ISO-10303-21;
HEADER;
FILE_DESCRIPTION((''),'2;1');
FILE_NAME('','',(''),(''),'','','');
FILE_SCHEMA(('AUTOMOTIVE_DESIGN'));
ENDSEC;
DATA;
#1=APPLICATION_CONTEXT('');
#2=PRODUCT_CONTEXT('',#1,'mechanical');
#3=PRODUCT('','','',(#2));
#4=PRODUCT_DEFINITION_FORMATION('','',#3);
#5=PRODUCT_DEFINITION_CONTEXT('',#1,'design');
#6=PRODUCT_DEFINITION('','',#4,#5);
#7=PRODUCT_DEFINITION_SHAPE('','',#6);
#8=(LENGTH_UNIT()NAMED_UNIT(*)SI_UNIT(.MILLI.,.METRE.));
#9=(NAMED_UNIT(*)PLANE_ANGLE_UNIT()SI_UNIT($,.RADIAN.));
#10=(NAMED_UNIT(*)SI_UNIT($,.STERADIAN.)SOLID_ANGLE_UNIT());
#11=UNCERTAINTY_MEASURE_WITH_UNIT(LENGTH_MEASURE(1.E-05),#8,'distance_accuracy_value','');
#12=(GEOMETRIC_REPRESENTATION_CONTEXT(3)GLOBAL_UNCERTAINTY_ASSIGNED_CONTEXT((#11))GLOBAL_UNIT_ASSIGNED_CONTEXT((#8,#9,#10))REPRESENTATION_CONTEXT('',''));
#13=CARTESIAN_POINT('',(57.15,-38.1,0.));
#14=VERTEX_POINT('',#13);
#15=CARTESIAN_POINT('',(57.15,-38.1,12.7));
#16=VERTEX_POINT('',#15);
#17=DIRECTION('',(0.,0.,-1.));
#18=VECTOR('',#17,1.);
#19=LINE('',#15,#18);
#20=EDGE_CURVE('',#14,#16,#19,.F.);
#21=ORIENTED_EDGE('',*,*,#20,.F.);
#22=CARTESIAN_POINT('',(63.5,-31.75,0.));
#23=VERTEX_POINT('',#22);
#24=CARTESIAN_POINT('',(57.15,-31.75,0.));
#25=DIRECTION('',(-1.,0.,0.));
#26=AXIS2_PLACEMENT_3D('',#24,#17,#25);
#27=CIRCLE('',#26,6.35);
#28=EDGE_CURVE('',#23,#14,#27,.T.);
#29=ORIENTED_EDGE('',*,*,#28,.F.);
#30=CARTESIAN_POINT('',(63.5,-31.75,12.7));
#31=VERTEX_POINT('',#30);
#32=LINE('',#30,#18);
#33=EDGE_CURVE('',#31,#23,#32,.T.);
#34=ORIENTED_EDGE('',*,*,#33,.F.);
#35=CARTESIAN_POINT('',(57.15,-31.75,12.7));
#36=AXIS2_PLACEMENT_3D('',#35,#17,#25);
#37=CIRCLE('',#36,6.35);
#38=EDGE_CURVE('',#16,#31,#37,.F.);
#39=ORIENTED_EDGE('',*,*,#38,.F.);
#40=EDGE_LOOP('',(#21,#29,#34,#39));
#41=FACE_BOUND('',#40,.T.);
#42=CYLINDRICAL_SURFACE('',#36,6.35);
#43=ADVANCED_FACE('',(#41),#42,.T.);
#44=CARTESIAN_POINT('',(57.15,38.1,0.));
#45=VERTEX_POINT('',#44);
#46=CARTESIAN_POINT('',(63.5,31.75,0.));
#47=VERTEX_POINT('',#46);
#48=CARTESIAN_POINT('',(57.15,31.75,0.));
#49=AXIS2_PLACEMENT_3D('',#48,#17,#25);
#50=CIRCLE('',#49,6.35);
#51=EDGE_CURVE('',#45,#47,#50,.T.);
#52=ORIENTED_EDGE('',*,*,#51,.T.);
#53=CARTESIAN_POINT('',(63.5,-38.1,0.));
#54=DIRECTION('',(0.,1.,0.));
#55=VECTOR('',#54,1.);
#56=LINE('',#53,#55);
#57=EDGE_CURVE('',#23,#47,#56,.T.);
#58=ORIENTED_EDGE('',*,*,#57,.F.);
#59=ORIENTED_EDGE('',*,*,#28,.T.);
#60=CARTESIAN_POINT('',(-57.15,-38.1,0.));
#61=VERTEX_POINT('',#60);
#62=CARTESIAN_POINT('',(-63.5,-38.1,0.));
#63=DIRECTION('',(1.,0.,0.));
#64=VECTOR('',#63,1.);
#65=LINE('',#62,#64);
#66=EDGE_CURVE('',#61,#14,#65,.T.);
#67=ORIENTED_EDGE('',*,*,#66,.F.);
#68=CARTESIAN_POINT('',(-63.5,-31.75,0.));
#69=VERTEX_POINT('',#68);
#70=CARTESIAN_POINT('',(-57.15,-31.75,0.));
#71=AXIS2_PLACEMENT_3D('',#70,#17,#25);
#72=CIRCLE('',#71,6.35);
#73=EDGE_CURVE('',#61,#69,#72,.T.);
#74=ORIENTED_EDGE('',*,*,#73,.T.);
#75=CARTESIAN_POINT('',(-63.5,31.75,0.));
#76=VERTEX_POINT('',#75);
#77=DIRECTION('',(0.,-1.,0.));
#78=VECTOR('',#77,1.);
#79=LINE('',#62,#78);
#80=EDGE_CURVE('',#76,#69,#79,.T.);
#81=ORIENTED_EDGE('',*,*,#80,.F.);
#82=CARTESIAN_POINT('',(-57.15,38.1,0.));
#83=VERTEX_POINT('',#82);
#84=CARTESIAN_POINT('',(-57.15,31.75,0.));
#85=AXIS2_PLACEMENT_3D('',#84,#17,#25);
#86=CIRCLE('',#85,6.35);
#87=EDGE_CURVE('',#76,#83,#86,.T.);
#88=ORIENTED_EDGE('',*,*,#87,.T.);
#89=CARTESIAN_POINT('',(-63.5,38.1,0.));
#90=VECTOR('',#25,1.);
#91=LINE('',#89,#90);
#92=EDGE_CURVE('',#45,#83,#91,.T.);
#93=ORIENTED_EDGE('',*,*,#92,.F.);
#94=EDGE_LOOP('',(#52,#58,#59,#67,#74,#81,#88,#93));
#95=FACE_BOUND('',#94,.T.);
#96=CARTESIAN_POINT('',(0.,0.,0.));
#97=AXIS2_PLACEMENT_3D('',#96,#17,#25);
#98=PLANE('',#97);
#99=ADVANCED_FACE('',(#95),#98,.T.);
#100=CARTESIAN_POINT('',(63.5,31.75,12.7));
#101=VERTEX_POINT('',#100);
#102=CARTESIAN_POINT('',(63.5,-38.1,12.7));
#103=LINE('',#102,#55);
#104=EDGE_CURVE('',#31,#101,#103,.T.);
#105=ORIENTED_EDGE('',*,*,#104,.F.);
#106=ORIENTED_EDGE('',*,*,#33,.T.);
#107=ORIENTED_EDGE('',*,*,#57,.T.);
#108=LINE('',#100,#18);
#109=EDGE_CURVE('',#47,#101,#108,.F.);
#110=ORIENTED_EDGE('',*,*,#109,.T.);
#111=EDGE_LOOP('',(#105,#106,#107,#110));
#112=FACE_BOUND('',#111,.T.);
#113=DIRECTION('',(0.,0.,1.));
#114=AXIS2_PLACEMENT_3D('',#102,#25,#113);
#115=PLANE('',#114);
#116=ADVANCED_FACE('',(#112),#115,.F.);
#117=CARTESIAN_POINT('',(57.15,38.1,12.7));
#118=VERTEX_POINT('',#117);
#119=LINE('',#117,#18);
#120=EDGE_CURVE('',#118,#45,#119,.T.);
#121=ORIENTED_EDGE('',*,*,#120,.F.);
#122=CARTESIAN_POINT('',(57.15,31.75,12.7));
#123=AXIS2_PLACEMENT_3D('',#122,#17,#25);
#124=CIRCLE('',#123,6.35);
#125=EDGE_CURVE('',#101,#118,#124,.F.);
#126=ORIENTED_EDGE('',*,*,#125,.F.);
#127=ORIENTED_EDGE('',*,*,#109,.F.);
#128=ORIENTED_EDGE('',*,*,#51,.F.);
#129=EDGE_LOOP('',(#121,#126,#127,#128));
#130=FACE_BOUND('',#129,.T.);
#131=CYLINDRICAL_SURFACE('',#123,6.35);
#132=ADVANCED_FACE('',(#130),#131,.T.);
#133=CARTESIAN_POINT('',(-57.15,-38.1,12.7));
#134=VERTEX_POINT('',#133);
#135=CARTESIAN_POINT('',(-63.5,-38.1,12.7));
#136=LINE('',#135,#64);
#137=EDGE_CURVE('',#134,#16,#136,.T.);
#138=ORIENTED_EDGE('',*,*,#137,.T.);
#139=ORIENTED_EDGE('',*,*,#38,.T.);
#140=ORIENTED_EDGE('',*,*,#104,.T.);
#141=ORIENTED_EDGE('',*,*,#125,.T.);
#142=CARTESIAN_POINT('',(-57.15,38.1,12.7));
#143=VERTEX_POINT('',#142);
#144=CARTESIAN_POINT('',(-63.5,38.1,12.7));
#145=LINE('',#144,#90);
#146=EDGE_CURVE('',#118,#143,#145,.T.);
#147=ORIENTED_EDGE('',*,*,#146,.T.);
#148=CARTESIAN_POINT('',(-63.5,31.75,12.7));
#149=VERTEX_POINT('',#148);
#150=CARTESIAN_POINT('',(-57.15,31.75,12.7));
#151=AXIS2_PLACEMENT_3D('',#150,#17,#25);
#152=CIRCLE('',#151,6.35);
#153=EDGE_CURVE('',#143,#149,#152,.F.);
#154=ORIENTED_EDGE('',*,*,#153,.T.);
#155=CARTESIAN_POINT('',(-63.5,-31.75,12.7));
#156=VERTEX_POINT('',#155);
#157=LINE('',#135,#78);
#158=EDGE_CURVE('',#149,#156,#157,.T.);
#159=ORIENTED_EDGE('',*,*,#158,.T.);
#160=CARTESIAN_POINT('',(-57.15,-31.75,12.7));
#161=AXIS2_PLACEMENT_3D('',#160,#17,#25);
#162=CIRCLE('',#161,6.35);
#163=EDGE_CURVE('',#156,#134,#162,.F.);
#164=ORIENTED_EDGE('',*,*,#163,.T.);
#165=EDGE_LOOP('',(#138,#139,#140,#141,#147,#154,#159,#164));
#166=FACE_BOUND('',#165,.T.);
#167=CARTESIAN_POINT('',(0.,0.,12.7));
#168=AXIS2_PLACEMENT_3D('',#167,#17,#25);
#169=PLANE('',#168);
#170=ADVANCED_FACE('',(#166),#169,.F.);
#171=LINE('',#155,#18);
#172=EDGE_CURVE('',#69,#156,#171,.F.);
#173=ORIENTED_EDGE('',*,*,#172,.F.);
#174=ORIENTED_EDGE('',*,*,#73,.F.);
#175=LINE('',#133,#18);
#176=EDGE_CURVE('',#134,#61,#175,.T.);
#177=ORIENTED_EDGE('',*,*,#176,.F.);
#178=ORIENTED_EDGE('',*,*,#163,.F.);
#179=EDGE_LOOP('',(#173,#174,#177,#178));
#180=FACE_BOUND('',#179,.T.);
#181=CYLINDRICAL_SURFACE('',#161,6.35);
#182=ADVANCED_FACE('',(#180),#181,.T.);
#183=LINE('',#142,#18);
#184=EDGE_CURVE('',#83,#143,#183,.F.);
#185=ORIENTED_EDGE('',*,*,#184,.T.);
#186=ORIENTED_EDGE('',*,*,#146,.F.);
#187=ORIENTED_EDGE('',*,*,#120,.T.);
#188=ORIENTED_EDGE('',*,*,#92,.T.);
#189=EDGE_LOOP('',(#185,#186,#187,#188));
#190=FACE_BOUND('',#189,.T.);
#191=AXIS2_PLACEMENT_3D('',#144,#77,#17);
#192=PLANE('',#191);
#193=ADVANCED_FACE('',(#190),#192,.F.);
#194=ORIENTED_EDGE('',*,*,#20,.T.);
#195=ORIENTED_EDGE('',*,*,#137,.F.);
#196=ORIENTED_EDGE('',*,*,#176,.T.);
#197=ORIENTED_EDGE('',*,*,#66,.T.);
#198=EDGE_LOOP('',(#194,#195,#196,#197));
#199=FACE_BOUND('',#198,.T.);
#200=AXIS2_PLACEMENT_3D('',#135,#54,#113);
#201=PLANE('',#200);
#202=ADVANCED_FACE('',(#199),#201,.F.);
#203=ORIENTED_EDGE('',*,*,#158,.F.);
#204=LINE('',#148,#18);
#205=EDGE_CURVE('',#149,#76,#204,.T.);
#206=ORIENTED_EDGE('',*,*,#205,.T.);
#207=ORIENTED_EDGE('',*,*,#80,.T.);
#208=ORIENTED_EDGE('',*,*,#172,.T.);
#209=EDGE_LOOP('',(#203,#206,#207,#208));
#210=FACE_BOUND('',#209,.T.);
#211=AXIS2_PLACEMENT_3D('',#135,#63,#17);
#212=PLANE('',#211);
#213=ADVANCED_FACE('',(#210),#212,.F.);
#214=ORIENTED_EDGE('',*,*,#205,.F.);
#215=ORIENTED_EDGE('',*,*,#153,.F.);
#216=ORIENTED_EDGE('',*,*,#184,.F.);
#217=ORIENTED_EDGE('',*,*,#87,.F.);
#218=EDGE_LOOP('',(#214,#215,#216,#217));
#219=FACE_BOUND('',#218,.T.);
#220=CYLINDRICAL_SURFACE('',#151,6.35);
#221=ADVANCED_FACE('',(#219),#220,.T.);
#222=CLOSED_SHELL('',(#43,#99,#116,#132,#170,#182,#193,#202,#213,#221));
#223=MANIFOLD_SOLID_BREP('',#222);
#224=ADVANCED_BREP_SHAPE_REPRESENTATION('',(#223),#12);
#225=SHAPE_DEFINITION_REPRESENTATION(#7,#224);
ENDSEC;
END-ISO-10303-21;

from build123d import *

# Parameters (mm, degrees)
SKETCH1_W           = 127
SKETCH1_H           = 76.2
BOSS_EXTRUDE2_DEPTH = 12.7
FILLET2_R           = 6.35


with BuildPart() as part:
    # Sketch1 → Boss-Extrude2 (new body)
    with BuildSketch(Plane.XY):
        Rectangle(SKETCH1_W, SKETCH1_H)
    extrude(amount=BOSS_EXTRUDE2_DEPTH)

    # Fillet2
    fillet2_edges = [part.edges().sort_by_distance(p)[0] for p in [
        (63.5, -38.1, 6.35),
        (-63.5, -38.1, 6.35),
        (-63.5, 38.1, 6.35),
        (63.5, 38.1, 6.35),
    ]]
    fillet(fillet2_edges, radius=FILLET2_R)


solid = part.part
